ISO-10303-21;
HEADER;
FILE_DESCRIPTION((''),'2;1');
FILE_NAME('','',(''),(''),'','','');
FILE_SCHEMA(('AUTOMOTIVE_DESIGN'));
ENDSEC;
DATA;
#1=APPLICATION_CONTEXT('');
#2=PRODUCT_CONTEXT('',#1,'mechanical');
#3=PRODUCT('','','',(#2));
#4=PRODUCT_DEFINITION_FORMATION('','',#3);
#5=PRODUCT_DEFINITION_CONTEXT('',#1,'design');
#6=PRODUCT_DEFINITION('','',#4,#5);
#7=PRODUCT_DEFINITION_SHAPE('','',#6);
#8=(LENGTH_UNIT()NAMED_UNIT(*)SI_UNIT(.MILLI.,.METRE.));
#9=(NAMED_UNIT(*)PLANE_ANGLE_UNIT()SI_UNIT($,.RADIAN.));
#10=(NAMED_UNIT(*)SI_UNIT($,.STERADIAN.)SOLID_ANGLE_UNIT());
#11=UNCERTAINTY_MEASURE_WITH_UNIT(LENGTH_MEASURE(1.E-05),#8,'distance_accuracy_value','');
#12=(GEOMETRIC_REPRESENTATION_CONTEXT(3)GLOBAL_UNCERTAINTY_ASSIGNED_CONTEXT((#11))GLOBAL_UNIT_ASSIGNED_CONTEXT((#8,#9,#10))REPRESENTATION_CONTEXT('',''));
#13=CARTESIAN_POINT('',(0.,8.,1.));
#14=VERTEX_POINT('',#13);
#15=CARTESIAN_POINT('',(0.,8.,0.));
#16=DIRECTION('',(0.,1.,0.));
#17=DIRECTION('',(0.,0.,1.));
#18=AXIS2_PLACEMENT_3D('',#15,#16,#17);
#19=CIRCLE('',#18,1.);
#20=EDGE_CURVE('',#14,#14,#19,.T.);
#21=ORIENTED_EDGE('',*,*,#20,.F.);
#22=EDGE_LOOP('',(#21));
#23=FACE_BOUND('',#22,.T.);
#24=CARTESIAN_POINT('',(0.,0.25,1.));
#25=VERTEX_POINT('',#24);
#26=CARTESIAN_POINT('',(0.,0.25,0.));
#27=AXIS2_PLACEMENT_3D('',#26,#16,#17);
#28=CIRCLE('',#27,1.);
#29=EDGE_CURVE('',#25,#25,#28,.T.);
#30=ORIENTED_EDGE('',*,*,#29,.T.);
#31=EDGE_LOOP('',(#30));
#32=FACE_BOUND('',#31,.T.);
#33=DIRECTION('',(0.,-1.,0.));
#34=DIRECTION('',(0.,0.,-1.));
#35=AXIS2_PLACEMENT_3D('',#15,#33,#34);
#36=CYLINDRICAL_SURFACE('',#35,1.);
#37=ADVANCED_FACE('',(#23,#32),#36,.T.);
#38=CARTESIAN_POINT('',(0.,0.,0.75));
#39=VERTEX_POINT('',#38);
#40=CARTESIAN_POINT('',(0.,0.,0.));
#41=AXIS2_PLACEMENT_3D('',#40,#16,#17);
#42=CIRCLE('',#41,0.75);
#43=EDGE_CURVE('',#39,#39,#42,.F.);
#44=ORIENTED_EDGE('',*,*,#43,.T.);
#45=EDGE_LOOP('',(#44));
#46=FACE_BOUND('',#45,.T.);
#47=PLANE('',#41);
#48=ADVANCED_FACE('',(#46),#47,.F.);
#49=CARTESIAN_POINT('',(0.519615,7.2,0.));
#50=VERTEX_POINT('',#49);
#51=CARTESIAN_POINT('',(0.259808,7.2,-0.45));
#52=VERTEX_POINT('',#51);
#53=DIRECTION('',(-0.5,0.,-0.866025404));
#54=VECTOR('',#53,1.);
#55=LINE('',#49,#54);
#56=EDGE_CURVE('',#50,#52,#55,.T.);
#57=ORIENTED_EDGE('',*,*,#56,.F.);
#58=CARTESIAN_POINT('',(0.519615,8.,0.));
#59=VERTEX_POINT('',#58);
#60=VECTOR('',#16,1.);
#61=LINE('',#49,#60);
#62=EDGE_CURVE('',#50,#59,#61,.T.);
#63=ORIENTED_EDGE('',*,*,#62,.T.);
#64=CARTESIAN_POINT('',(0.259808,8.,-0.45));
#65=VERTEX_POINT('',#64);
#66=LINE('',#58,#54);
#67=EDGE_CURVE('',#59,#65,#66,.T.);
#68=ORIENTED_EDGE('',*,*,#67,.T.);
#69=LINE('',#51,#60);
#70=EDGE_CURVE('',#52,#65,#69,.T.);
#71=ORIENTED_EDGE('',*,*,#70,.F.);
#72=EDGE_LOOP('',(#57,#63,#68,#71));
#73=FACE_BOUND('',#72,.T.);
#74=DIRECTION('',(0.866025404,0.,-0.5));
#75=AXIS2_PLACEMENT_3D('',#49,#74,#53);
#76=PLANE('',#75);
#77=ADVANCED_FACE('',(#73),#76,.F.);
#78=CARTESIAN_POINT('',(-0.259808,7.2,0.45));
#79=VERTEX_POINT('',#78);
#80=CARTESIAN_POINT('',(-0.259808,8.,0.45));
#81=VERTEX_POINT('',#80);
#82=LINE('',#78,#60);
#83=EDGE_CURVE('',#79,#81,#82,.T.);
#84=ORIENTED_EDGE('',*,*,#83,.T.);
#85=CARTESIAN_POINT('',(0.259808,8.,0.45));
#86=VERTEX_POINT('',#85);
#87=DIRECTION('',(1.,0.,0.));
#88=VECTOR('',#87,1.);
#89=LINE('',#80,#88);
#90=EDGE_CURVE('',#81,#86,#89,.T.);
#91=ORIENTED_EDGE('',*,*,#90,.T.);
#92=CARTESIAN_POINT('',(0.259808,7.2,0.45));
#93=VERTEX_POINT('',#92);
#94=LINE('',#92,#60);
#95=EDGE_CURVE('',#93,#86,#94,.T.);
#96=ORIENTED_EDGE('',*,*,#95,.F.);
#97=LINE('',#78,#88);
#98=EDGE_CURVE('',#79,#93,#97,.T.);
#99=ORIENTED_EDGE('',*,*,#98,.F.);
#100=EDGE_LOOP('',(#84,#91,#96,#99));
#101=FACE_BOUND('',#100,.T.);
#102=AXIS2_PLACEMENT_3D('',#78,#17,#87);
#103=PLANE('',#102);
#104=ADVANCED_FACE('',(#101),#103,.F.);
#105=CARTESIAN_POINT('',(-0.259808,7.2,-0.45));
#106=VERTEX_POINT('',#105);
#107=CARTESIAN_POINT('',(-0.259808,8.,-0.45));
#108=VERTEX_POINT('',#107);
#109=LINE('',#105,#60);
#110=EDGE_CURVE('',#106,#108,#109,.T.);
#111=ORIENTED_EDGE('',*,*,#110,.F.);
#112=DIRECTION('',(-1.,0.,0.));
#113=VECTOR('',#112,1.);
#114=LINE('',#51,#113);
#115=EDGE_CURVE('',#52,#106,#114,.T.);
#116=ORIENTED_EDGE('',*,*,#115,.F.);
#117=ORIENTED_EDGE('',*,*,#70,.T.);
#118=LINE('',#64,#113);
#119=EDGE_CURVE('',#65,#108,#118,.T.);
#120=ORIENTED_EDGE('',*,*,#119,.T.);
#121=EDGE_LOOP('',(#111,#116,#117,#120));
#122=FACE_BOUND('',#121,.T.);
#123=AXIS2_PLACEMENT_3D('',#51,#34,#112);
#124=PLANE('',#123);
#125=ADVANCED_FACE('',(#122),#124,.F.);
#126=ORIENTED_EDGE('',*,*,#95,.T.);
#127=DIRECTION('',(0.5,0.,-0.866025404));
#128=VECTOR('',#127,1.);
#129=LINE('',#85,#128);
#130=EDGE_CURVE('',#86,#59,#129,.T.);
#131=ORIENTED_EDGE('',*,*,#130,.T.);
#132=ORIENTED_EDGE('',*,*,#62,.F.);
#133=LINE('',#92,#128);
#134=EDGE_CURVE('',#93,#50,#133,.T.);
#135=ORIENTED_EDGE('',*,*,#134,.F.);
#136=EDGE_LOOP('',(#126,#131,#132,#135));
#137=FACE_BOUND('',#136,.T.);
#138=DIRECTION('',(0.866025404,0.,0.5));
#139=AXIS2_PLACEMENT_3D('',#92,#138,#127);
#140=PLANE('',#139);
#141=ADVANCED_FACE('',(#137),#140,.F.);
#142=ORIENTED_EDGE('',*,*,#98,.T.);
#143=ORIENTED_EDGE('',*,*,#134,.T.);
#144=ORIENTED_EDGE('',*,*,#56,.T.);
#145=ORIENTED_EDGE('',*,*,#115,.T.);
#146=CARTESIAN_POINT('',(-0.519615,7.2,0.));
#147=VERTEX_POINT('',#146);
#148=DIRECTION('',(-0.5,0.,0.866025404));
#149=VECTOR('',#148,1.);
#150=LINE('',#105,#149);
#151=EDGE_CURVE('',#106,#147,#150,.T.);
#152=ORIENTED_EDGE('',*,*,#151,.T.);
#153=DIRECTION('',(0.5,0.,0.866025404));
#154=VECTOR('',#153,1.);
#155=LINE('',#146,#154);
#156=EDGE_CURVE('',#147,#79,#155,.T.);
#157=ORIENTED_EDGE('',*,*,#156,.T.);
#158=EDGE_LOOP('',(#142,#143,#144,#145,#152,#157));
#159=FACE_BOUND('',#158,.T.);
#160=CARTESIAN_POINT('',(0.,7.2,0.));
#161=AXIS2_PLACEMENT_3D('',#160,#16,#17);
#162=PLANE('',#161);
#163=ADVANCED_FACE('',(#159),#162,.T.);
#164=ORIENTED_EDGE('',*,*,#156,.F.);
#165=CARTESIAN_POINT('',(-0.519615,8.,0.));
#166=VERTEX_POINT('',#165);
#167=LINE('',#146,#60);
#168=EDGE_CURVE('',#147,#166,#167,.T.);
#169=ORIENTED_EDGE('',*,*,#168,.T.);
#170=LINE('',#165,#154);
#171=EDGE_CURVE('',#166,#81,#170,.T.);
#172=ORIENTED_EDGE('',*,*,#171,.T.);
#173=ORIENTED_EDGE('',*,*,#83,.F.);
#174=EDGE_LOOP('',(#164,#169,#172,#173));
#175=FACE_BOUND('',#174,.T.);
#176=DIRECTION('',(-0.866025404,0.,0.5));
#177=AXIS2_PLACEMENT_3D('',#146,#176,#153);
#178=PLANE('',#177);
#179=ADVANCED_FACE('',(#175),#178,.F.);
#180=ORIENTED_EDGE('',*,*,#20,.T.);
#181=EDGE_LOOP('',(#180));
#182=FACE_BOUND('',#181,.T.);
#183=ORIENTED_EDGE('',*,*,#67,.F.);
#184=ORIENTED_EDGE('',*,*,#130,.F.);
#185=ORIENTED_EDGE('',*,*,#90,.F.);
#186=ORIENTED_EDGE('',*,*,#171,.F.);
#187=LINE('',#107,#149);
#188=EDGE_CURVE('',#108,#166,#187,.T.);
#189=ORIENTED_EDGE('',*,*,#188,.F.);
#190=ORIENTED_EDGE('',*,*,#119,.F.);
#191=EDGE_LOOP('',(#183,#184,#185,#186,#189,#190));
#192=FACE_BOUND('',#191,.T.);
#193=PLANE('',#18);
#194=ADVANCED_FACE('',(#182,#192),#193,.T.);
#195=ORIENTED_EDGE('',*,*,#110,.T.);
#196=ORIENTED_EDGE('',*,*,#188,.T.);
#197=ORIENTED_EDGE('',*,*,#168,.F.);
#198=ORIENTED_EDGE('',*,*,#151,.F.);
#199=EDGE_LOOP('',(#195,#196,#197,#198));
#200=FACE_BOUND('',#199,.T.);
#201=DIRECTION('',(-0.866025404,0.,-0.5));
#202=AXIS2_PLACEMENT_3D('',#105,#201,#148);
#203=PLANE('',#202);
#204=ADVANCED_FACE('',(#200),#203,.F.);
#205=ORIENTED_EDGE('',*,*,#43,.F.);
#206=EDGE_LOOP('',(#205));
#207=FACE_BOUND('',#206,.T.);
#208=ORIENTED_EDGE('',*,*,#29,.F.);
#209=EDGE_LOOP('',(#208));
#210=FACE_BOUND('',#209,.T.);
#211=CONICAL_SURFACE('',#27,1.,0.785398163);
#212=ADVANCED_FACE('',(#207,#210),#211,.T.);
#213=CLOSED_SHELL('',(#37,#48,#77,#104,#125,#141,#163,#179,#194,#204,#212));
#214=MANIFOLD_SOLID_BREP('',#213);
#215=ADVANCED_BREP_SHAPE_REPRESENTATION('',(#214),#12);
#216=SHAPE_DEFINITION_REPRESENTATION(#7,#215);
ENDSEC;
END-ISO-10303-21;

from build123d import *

# Parameters (mm, degrees)
SKETCH1_R           = 1
BOSS_EXTRUDE1_DEPTH = 8
CHAMFER1_SIZE       = 0.25
CUT_EXTRUDE1_DEPTH  = 0.8


with BuildPart() as part:
    # Sketch1 → Boss-Extrude1 (new body)
    with BuildSketch(Plane(origin=(0, 0, 0), x_dir=(1, 0, 0), z_dir=(0, 1, 0))):
        Circle(SKETCH1_R)
    extrude(amount=BOSS_EXTRUDE1_DEPTH)

    # Chamfer1
    chamfer1_edges = [part.edges().sort_by_distance(p)[0] for p in [
        (-1, 0, 0),
    ]]
    chamfer(chamfer1_edges, length=CHAMFER1_SIZE)

    # Sketch2 → Cut-Extrude1 (cut)
    with BuildSketch(Plane(origin=(0, 8, 0), x_dir=(1, 0, 0), z_dir=(0, 1, 0))):
        Polygon((0.259807621, -0.45), (0.519615242, 0), (0.259807621, 0.45), (-0.259807621, 0.45), (-0.519615242, 0), (-0.259807621, -0.45), align=None)
    extrude(amount=-CUT_EXTRUDE1_DEPTH, mode=Mode.SUBTRACT)


solid = part.part
